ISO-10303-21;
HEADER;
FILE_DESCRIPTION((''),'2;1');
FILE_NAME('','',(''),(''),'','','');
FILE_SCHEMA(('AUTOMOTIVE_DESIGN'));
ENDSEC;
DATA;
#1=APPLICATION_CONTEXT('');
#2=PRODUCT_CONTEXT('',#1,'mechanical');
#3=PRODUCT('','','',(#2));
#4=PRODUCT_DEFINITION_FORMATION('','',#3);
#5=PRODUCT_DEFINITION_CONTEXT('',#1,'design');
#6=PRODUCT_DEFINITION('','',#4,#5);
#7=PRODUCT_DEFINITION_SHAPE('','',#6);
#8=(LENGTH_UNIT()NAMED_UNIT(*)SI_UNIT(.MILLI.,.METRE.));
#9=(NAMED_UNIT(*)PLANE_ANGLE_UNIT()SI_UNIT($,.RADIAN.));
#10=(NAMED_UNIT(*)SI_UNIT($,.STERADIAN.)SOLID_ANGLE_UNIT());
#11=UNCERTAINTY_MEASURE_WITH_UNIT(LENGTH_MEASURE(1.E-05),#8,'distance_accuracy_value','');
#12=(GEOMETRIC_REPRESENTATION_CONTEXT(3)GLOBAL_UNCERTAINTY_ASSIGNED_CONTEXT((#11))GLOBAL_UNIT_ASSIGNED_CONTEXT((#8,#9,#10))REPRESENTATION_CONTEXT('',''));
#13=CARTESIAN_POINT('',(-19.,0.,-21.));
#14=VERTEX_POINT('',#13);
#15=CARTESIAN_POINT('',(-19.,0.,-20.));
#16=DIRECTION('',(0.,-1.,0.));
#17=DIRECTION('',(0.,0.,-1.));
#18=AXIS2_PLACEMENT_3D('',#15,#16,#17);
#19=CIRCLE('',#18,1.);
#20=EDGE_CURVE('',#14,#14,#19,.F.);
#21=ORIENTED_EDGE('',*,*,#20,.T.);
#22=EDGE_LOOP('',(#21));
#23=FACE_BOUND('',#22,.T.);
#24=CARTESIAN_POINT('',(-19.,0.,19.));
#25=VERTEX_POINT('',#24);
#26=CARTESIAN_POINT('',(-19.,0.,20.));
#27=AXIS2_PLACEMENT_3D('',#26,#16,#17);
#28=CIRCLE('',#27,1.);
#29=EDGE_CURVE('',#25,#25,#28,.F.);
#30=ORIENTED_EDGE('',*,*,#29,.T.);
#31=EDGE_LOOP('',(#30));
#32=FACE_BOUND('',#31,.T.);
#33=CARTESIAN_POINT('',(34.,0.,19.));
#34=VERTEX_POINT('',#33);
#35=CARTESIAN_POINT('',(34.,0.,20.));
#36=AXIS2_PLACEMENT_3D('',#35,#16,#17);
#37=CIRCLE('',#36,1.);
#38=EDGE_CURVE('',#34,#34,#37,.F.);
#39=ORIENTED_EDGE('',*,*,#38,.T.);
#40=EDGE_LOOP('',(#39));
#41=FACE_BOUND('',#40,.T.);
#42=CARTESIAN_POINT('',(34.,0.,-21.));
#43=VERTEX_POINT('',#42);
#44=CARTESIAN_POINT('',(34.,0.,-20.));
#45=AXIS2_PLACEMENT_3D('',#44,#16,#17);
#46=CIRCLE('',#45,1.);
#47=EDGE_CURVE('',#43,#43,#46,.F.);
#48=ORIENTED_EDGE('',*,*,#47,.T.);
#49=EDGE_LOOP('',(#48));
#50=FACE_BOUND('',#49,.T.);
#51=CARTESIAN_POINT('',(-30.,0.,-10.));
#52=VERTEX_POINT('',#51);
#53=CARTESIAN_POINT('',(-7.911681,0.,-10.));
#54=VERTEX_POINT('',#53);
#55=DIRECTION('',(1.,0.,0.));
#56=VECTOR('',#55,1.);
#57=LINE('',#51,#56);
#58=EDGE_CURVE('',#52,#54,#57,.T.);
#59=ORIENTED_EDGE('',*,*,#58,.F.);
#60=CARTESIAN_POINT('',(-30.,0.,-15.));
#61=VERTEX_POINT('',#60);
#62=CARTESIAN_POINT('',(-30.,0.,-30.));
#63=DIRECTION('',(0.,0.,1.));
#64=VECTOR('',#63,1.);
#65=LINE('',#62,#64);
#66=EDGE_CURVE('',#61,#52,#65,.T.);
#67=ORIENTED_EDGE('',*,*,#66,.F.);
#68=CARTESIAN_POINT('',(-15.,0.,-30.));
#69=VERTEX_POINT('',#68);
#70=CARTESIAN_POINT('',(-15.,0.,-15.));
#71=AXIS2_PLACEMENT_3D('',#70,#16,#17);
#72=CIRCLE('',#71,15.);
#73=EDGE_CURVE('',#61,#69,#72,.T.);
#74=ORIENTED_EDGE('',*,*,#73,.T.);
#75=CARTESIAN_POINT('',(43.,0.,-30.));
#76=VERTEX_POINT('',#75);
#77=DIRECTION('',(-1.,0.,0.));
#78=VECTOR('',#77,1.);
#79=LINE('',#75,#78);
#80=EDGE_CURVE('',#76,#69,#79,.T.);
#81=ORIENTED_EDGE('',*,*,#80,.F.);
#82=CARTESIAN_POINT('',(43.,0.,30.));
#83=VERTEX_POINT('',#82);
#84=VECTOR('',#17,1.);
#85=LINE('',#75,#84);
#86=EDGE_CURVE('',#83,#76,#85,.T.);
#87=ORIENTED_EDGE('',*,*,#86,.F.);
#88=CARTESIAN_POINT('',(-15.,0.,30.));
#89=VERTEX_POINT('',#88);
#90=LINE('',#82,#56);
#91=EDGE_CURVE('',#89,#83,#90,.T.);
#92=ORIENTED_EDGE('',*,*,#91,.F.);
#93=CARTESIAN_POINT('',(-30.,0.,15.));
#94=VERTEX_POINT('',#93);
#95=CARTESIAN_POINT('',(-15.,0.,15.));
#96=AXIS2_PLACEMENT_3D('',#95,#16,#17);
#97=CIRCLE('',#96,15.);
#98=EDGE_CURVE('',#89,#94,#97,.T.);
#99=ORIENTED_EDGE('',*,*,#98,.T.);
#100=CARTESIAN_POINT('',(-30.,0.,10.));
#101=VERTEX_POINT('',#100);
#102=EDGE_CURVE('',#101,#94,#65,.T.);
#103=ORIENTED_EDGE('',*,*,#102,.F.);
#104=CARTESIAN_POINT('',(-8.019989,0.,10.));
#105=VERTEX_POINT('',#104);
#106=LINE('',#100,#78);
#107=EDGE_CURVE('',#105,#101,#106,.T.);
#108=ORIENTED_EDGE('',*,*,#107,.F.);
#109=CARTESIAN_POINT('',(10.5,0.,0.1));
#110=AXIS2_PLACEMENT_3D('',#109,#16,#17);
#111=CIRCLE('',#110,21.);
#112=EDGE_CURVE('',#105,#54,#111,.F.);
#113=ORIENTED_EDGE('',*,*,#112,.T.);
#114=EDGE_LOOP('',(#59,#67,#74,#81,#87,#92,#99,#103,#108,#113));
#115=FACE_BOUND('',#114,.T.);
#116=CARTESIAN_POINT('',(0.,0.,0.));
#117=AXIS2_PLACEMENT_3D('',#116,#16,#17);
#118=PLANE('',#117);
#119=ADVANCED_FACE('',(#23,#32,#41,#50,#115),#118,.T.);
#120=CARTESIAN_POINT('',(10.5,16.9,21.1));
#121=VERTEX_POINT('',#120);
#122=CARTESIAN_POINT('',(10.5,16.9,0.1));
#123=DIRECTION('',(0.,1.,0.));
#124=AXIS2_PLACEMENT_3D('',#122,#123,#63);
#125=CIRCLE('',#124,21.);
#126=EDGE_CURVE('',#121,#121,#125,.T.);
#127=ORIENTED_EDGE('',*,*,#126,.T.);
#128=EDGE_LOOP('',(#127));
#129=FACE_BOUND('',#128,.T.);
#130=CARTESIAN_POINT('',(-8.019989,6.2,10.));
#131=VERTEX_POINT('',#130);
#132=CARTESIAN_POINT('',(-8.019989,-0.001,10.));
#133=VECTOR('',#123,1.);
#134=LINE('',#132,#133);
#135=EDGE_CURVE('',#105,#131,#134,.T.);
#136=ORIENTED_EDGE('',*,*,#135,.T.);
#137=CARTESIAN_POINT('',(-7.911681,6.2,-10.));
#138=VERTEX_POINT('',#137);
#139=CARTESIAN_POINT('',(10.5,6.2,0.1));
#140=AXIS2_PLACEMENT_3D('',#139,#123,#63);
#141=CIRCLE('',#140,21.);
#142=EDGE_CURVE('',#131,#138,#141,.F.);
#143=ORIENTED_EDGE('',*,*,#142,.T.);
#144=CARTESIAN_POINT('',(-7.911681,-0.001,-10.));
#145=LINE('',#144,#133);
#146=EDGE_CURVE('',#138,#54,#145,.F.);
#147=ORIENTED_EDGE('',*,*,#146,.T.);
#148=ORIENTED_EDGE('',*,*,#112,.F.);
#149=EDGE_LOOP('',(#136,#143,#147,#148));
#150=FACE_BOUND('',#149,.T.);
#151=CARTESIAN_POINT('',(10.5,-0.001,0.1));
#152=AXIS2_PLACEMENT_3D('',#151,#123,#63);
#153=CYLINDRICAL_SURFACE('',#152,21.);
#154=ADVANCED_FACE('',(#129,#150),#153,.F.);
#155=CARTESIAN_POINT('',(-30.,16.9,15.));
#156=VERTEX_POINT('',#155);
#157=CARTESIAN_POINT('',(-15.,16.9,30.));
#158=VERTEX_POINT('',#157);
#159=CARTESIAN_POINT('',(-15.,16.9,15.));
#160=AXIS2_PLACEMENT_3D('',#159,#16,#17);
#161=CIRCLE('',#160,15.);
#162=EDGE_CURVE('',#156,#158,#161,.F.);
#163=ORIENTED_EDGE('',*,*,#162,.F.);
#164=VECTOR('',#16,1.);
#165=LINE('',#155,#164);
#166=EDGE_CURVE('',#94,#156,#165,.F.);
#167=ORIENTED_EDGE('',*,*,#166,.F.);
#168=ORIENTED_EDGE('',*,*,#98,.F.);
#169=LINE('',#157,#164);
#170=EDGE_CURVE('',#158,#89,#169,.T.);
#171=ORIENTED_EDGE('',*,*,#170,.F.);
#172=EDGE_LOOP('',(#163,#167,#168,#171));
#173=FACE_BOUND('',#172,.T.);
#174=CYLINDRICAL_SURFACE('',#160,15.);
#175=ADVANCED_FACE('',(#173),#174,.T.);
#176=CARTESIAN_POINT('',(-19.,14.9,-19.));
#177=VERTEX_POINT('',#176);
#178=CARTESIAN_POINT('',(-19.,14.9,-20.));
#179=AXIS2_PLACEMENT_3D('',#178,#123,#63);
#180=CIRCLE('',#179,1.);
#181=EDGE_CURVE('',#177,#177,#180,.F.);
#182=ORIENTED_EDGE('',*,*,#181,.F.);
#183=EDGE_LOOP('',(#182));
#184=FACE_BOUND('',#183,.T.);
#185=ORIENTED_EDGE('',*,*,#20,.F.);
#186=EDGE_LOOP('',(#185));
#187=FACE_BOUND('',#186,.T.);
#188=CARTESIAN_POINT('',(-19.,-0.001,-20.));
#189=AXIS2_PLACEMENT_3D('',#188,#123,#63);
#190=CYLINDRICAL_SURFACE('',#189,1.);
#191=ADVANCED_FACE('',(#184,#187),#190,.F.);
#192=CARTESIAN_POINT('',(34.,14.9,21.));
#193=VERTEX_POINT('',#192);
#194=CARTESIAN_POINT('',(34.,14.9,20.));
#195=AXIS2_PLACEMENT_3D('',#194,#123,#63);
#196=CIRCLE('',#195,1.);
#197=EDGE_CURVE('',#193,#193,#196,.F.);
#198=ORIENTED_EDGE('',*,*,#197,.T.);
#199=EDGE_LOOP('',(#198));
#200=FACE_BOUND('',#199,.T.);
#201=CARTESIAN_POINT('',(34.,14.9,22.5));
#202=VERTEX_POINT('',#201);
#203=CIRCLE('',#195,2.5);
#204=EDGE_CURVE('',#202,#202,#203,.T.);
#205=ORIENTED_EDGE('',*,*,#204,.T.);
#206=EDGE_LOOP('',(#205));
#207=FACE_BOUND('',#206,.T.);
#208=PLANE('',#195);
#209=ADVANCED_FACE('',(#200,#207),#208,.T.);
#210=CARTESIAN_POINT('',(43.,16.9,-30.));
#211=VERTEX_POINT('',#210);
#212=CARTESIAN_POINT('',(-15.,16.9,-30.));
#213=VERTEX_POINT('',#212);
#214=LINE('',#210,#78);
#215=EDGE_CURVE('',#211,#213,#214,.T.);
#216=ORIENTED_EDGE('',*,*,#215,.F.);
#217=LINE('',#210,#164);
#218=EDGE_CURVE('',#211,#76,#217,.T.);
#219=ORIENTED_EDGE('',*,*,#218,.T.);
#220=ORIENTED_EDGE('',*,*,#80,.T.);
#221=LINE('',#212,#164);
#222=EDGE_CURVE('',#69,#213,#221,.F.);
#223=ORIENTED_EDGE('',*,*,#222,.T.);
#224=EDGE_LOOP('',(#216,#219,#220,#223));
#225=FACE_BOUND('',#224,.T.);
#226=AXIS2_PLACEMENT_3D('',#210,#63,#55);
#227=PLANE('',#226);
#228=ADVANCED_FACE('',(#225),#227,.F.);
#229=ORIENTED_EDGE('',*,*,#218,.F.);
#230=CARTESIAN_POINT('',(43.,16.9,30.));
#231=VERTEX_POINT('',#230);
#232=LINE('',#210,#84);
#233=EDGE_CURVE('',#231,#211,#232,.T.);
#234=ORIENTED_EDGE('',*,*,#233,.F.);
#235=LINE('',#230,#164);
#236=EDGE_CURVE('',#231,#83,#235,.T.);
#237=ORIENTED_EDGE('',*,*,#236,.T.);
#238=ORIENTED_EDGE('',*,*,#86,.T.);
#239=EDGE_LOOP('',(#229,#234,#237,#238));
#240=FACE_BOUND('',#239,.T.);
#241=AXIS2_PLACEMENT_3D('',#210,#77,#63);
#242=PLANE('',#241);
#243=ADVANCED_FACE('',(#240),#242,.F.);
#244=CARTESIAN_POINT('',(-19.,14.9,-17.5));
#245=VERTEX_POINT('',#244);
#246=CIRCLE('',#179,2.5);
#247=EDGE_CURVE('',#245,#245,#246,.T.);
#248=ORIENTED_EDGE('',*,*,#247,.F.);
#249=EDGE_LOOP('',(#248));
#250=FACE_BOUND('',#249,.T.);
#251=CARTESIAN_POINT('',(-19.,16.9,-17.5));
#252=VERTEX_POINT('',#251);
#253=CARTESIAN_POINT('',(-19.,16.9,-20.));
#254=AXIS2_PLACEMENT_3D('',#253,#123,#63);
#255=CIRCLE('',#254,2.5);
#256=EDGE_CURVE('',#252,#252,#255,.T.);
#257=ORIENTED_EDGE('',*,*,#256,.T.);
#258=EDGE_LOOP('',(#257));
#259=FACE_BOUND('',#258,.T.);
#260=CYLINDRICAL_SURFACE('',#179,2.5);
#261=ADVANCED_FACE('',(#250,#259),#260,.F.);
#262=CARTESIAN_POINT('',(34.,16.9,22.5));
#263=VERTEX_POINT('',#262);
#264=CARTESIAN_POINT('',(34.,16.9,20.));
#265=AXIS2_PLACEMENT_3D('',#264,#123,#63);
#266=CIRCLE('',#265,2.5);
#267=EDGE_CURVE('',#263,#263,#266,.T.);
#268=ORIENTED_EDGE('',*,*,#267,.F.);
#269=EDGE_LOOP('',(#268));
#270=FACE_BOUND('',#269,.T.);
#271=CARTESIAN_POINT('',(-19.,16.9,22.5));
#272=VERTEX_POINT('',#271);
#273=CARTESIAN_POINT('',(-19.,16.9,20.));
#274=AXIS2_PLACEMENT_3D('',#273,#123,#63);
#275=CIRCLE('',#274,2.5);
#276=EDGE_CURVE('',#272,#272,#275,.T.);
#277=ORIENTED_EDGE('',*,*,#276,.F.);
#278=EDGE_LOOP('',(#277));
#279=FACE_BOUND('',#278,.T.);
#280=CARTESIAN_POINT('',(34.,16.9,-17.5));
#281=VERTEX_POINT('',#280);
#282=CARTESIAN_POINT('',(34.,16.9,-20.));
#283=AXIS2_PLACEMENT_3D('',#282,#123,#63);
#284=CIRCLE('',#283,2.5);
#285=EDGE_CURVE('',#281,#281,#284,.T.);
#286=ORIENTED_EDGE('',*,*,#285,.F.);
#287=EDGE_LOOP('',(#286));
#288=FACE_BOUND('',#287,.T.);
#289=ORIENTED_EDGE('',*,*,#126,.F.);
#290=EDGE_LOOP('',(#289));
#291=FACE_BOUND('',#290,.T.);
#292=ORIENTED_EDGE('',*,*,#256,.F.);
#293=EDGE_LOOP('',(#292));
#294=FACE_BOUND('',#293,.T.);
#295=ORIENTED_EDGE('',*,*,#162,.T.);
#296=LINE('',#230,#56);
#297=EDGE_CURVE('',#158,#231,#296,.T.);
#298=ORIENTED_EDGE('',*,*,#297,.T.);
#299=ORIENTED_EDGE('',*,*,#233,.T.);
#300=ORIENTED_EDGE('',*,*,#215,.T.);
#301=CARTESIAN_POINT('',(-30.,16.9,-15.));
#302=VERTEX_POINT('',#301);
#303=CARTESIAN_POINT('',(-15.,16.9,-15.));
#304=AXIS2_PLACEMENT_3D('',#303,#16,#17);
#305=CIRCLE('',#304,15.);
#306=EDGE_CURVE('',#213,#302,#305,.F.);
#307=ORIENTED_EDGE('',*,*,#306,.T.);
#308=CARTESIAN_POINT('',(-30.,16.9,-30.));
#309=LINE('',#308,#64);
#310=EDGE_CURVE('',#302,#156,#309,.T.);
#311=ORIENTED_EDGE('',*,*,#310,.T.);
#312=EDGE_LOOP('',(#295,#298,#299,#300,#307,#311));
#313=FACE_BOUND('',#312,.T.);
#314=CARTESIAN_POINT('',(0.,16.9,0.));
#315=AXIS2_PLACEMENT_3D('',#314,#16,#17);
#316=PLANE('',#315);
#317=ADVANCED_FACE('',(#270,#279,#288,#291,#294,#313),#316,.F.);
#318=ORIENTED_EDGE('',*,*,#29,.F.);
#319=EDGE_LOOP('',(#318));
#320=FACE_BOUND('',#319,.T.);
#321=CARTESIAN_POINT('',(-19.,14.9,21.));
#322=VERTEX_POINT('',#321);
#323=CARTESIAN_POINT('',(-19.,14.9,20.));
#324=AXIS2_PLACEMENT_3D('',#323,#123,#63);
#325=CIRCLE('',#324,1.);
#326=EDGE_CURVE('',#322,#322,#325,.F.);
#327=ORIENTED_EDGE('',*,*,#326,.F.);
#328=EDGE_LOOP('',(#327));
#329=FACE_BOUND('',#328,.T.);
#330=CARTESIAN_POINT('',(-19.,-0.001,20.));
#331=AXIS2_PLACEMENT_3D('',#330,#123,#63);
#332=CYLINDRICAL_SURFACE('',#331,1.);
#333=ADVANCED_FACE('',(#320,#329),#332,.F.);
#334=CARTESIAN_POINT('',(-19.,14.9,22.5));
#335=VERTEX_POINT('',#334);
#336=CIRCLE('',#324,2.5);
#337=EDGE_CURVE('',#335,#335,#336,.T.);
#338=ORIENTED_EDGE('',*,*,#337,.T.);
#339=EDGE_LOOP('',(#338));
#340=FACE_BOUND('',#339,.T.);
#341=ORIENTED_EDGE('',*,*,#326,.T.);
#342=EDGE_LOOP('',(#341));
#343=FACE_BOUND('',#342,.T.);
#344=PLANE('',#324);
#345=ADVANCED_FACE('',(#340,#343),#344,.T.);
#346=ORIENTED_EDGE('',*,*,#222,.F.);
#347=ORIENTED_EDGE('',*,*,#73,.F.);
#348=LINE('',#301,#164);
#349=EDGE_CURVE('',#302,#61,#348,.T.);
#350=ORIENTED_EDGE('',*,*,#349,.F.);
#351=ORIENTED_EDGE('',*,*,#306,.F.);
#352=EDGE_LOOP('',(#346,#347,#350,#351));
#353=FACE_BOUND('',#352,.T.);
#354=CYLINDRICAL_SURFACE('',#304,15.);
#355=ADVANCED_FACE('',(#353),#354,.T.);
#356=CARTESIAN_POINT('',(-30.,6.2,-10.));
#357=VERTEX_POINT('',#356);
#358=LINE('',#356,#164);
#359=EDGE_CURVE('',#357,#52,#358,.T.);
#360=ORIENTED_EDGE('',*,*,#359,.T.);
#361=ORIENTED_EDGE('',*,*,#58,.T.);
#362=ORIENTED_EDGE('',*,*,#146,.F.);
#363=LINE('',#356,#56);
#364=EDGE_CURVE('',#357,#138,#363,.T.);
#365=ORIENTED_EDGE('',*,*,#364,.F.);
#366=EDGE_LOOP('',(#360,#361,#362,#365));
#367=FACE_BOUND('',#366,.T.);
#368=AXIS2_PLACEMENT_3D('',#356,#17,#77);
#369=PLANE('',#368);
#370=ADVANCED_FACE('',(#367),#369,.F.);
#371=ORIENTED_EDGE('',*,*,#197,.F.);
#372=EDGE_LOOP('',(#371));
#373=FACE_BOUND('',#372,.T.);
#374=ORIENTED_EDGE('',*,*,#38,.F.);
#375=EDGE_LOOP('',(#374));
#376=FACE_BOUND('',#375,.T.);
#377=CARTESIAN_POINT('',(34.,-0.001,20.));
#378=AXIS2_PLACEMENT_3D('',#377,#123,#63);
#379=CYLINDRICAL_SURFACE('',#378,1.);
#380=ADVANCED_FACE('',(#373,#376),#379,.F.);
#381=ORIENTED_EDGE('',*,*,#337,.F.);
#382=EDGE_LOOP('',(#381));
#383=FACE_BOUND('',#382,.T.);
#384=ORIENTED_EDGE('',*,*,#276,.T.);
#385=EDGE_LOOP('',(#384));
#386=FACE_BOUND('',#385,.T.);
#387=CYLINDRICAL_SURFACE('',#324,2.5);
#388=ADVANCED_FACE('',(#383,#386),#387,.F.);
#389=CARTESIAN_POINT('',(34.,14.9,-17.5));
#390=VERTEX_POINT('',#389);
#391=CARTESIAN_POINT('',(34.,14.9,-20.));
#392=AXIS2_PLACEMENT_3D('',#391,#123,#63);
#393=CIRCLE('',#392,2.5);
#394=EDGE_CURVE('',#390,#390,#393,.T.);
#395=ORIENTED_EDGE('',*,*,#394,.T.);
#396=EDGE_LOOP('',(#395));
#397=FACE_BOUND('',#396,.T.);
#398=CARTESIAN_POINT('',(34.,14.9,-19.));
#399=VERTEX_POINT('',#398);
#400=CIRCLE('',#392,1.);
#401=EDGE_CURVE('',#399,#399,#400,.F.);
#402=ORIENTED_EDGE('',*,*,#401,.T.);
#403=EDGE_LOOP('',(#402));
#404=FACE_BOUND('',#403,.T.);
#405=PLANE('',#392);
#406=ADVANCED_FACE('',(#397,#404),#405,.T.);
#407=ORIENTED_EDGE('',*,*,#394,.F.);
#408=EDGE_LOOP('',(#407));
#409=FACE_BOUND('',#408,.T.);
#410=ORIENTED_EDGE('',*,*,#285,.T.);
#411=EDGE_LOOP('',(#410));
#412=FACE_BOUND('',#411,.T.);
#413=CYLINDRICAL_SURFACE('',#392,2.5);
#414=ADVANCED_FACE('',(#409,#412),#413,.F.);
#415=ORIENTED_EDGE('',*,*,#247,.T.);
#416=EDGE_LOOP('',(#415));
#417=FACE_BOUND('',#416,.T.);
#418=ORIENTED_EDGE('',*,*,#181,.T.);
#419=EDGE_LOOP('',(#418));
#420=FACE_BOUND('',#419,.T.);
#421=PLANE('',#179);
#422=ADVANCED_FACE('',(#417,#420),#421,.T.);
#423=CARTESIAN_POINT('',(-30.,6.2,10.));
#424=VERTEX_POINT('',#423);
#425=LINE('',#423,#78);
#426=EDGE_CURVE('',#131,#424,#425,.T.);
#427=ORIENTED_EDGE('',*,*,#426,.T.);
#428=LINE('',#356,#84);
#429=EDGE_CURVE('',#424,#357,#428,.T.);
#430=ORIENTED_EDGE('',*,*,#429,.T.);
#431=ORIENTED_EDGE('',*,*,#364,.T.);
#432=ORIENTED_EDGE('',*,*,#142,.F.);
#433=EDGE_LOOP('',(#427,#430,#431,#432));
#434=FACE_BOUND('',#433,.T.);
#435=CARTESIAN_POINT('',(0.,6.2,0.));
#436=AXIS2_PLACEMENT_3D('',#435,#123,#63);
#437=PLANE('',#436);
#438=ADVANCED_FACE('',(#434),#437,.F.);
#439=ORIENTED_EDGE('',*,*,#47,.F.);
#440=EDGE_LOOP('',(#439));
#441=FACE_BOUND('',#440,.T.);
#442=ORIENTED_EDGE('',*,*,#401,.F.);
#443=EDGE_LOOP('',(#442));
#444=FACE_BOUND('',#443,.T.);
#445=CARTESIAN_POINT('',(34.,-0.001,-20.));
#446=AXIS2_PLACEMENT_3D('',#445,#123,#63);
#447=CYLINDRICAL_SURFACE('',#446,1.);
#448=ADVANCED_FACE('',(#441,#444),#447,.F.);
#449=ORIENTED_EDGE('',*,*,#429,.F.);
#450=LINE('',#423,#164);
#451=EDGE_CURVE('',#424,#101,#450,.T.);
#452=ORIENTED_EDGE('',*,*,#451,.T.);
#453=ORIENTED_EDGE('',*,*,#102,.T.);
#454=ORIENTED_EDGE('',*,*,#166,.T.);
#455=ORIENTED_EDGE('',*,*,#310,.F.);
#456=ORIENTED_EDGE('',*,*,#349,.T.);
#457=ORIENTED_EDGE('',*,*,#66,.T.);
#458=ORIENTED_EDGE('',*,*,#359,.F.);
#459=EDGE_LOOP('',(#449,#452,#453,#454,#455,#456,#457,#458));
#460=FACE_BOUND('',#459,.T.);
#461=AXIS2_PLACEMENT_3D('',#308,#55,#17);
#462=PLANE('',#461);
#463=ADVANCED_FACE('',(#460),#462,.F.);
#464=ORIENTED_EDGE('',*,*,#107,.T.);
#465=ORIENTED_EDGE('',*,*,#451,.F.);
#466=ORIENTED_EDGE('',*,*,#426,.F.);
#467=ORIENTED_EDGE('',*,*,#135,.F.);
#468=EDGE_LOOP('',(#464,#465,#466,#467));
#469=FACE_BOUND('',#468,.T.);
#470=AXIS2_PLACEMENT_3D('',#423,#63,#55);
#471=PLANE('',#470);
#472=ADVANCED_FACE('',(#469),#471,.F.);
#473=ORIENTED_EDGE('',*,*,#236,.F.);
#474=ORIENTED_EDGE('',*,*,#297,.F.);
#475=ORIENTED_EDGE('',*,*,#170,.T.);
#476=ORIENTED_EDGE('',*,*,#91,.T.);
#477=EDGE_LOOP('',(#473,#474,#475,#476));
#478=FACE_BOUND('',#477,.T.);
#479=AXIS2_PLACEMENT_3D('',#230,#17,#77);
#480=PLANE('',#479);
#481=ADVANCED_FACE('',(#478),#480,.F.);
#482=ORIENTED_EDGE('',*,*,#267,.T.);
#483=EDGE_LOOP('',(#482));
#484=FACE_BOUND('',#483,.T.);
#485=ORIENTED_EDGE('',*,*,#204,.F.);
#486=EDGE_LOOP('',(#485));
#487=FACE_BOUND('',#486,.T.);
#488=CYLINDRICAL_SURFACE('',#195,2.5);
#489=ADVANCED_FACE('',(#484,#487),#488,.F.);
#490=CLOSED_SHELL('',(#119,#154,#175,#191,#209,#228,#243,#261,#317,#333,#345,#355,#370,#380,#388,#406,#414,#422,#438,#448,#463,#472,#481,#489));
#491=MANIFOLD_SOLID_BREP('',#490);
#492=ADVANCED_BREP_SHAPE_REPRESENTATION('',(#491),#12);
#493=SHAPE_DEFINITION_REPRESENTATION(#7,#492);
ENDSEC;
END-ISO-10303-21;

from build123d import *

# Parameters (mm, degrees)
SKETCH1_W           = 73
SKETCH1_H           = 60
BOSS_EXTRUDE1_DEPTH = 16.9
FILLET1_R           = 15
CUT_EXTRUDE1_REACH  = 57.087
SKETCH2_R           = 21
SKETCH3_W           = 40
SKETCH3_H           = 20
CUT_EXTRUDE2_DEPTH  = 6.2
CUT_EXTRUDE3_REACH  = 57.087
SKETCH4_R           = 1
SKETCH5_R           = 2.5
CUT_EXTRUDE4_DEPTH  = 2


with BuildPart() as part:
    # Sketch1 → Boss-Extrude1 (new body)
    with BuildSketch(Plane(origin=(0, 0, 0), x_dir=(1, 0, 0), z_dir=(0, 1, 0))):
        with Locations((6.5, 0)):
            Rectangle(SKETCH1_W, SKETCH1_H)
    extrude(amount=BOSS_EXTRUDE1_DEPTH)

    # Fillet1
    fillet1_edges = [part.edges().sort_by_distance(p)[0] for p in [
        (-30, 8.45, -30),
        (-30, 8.45, 30),
    ]]
    fillet(fillet1_edges, radius=FILLET1_R)

    # Sketch2 → Cut-Extrude1 (cut, up to next)
    with BuildSketch(Plane(origin=(0, 16.9, 0), x_dir=(1, 0, 0), z_dir=(0, 1, 0)), mode=Mode.PRIVATE) as cut_extrude1_sk1:
        with Locations(Location((10.5, -0.1, 0), (0, 0, 270))):
            Circle(SKETCH2_R)
    cut_extrude1_tool1 = extrude(cut_extrude1_sk1.sketch, amount=-CUT_EXTRUDE1_REACH, mode=Mode.PRIVATE) & part.part
    add(cut_extrude1_tool1.solids().sort_by_distance((10.5, 16.9, 0.1))[0], mode=Mode.SUBTRACT)

    # Sketch3 → Cut-Extrude2 (cut)
    with BuildSketch(Plane.XZ):
        with Locations((-10, 0)):
            Rectangle(SKETCH3_W, SKETCH3_H)
    extrude(amount=-CUT_EXTRUDE2_DEPTH, mode=Mode.SUBTRACT)

    # Sketch4 → Cut-Extrude3 (cut, up to next)
    with BuildSketch(Plane(origin=(0, 16.9, 0), x_dir=(1, 0, 0), z_dir=(0, 1, 0)), mode=Mode.PRIVATE) as cut_extrude3_sk1:
        with Locations(Location((34, 20, 0), (0, 0, 270))):
            Circle(SKETCH4_R)
    cut_extrude3_tool1 = extrude(cut_extrude3_sk1.sketch, amount=-CUT_EXTRUDE3_REACH, mode=Mode.PRIVATE) & part.part
    # Sketch4 → Cut-Extrude3 (cut, up to next)
    with BuildSketch(Plane(origin=(0, 16.9, 0), x_dir=(1, 0, 0), z_dir=(0, 1, 0)), mode=Mode.PRIVATE) as cut_extrude3_sk2:
        with Locations(Location((34, -20, 0), (0, 0, 270))):
            Circle(SKETCH4_R)
    cut_extrude3_tool2 = extrude(cut_extrude3_sk2.sketch, amount=-CUT_EXTRUDE3_REACH, mode=Mode.PRIVATE) & part.part
    # Sketch4 → Cut-Extrude3 (cut, up to next)
    with BuildSketch(Plane(origin=(0, 16.9, 0), x_dir=(1, 0, 0), z_dir=(0, 1, 0)), mode=Mode.PRIVATE) as cut_extrude3_sk3:
        with Locations(Location((-19, -20, 0), (0, 0, 270))):
            Circle(SKETCH4_R)
    cut_extrude3_tool3 = extrude(cut_extrude3_sk3.sketch, amount=-CUT_EXTRUDE3_REACH, mode=Mode.PRIVATE) & part.part
    # Sketch4 → Cut-Extrude3 (cut, up to next)
    with BuildSketch(Plane(origin=(0, 16.9, 0), x_dir=(1, 0, 0), z_dir=(0, 1, 0)), mode=Mode.PRIVATE) as cut_extrude3_sk4:
        with Locations(Location((-19, 20, 0), (0, 0, 270))):
            Circle(SKETCH4_R)
    cut_extrude3_tool4 = extrude(cut_extrude3_sk4.sketch, amount=-CUT_EXTRUDE3_REACH, mode=Mode.PRIVATE) & part.part
    add(cut_extrude3_tool1.solids().sort_by_distance((34, 16.9, -20))[0], mode=Mode.SUBTRACT)
    add(cut_extrude3_tool2.solids().sort_by_distance((34, 16.9, 20))[0], mode=Mode.SUBTRACT)
    add(cut_extrude3_tool3.solids().sort_by_distance((-19, 16.9, 20))[0], mode=Mode.SUBTRACT)
    add(cut_extrude3_tool4.solids().sort_by_distance((-19, 16.9, -20))[0], mode=Mode.SUBTRACT)

    # Sketch5 → Cut-Extrude4 (cut)
    with BuildSketch(Plane(origin=(0, 16.9, 0), x_dir=(1, 0, 0), z_dir=(0, 1, 0))):
        with Locations(Location((-19, 20, 0), (0, 0, 270))):
            Circle(SKETCH5_R)
        with Locations(Location((-19, -20, 0), (0, 0, 270))):
            Circle(SKETCH5_R)
        with Locations(Location((34, -20, 0), (0, 0, 270))):
            Circle(SKETCH5_R)
        with Locations(Location((34, 20, 0), (0, 0, 270))):
            Circle(SKETCH5_R)
    extrude(amount=-CUT_EXTRUDE4_DEPTH, mode=Mode.SUBTRACT)


solid = part.part
